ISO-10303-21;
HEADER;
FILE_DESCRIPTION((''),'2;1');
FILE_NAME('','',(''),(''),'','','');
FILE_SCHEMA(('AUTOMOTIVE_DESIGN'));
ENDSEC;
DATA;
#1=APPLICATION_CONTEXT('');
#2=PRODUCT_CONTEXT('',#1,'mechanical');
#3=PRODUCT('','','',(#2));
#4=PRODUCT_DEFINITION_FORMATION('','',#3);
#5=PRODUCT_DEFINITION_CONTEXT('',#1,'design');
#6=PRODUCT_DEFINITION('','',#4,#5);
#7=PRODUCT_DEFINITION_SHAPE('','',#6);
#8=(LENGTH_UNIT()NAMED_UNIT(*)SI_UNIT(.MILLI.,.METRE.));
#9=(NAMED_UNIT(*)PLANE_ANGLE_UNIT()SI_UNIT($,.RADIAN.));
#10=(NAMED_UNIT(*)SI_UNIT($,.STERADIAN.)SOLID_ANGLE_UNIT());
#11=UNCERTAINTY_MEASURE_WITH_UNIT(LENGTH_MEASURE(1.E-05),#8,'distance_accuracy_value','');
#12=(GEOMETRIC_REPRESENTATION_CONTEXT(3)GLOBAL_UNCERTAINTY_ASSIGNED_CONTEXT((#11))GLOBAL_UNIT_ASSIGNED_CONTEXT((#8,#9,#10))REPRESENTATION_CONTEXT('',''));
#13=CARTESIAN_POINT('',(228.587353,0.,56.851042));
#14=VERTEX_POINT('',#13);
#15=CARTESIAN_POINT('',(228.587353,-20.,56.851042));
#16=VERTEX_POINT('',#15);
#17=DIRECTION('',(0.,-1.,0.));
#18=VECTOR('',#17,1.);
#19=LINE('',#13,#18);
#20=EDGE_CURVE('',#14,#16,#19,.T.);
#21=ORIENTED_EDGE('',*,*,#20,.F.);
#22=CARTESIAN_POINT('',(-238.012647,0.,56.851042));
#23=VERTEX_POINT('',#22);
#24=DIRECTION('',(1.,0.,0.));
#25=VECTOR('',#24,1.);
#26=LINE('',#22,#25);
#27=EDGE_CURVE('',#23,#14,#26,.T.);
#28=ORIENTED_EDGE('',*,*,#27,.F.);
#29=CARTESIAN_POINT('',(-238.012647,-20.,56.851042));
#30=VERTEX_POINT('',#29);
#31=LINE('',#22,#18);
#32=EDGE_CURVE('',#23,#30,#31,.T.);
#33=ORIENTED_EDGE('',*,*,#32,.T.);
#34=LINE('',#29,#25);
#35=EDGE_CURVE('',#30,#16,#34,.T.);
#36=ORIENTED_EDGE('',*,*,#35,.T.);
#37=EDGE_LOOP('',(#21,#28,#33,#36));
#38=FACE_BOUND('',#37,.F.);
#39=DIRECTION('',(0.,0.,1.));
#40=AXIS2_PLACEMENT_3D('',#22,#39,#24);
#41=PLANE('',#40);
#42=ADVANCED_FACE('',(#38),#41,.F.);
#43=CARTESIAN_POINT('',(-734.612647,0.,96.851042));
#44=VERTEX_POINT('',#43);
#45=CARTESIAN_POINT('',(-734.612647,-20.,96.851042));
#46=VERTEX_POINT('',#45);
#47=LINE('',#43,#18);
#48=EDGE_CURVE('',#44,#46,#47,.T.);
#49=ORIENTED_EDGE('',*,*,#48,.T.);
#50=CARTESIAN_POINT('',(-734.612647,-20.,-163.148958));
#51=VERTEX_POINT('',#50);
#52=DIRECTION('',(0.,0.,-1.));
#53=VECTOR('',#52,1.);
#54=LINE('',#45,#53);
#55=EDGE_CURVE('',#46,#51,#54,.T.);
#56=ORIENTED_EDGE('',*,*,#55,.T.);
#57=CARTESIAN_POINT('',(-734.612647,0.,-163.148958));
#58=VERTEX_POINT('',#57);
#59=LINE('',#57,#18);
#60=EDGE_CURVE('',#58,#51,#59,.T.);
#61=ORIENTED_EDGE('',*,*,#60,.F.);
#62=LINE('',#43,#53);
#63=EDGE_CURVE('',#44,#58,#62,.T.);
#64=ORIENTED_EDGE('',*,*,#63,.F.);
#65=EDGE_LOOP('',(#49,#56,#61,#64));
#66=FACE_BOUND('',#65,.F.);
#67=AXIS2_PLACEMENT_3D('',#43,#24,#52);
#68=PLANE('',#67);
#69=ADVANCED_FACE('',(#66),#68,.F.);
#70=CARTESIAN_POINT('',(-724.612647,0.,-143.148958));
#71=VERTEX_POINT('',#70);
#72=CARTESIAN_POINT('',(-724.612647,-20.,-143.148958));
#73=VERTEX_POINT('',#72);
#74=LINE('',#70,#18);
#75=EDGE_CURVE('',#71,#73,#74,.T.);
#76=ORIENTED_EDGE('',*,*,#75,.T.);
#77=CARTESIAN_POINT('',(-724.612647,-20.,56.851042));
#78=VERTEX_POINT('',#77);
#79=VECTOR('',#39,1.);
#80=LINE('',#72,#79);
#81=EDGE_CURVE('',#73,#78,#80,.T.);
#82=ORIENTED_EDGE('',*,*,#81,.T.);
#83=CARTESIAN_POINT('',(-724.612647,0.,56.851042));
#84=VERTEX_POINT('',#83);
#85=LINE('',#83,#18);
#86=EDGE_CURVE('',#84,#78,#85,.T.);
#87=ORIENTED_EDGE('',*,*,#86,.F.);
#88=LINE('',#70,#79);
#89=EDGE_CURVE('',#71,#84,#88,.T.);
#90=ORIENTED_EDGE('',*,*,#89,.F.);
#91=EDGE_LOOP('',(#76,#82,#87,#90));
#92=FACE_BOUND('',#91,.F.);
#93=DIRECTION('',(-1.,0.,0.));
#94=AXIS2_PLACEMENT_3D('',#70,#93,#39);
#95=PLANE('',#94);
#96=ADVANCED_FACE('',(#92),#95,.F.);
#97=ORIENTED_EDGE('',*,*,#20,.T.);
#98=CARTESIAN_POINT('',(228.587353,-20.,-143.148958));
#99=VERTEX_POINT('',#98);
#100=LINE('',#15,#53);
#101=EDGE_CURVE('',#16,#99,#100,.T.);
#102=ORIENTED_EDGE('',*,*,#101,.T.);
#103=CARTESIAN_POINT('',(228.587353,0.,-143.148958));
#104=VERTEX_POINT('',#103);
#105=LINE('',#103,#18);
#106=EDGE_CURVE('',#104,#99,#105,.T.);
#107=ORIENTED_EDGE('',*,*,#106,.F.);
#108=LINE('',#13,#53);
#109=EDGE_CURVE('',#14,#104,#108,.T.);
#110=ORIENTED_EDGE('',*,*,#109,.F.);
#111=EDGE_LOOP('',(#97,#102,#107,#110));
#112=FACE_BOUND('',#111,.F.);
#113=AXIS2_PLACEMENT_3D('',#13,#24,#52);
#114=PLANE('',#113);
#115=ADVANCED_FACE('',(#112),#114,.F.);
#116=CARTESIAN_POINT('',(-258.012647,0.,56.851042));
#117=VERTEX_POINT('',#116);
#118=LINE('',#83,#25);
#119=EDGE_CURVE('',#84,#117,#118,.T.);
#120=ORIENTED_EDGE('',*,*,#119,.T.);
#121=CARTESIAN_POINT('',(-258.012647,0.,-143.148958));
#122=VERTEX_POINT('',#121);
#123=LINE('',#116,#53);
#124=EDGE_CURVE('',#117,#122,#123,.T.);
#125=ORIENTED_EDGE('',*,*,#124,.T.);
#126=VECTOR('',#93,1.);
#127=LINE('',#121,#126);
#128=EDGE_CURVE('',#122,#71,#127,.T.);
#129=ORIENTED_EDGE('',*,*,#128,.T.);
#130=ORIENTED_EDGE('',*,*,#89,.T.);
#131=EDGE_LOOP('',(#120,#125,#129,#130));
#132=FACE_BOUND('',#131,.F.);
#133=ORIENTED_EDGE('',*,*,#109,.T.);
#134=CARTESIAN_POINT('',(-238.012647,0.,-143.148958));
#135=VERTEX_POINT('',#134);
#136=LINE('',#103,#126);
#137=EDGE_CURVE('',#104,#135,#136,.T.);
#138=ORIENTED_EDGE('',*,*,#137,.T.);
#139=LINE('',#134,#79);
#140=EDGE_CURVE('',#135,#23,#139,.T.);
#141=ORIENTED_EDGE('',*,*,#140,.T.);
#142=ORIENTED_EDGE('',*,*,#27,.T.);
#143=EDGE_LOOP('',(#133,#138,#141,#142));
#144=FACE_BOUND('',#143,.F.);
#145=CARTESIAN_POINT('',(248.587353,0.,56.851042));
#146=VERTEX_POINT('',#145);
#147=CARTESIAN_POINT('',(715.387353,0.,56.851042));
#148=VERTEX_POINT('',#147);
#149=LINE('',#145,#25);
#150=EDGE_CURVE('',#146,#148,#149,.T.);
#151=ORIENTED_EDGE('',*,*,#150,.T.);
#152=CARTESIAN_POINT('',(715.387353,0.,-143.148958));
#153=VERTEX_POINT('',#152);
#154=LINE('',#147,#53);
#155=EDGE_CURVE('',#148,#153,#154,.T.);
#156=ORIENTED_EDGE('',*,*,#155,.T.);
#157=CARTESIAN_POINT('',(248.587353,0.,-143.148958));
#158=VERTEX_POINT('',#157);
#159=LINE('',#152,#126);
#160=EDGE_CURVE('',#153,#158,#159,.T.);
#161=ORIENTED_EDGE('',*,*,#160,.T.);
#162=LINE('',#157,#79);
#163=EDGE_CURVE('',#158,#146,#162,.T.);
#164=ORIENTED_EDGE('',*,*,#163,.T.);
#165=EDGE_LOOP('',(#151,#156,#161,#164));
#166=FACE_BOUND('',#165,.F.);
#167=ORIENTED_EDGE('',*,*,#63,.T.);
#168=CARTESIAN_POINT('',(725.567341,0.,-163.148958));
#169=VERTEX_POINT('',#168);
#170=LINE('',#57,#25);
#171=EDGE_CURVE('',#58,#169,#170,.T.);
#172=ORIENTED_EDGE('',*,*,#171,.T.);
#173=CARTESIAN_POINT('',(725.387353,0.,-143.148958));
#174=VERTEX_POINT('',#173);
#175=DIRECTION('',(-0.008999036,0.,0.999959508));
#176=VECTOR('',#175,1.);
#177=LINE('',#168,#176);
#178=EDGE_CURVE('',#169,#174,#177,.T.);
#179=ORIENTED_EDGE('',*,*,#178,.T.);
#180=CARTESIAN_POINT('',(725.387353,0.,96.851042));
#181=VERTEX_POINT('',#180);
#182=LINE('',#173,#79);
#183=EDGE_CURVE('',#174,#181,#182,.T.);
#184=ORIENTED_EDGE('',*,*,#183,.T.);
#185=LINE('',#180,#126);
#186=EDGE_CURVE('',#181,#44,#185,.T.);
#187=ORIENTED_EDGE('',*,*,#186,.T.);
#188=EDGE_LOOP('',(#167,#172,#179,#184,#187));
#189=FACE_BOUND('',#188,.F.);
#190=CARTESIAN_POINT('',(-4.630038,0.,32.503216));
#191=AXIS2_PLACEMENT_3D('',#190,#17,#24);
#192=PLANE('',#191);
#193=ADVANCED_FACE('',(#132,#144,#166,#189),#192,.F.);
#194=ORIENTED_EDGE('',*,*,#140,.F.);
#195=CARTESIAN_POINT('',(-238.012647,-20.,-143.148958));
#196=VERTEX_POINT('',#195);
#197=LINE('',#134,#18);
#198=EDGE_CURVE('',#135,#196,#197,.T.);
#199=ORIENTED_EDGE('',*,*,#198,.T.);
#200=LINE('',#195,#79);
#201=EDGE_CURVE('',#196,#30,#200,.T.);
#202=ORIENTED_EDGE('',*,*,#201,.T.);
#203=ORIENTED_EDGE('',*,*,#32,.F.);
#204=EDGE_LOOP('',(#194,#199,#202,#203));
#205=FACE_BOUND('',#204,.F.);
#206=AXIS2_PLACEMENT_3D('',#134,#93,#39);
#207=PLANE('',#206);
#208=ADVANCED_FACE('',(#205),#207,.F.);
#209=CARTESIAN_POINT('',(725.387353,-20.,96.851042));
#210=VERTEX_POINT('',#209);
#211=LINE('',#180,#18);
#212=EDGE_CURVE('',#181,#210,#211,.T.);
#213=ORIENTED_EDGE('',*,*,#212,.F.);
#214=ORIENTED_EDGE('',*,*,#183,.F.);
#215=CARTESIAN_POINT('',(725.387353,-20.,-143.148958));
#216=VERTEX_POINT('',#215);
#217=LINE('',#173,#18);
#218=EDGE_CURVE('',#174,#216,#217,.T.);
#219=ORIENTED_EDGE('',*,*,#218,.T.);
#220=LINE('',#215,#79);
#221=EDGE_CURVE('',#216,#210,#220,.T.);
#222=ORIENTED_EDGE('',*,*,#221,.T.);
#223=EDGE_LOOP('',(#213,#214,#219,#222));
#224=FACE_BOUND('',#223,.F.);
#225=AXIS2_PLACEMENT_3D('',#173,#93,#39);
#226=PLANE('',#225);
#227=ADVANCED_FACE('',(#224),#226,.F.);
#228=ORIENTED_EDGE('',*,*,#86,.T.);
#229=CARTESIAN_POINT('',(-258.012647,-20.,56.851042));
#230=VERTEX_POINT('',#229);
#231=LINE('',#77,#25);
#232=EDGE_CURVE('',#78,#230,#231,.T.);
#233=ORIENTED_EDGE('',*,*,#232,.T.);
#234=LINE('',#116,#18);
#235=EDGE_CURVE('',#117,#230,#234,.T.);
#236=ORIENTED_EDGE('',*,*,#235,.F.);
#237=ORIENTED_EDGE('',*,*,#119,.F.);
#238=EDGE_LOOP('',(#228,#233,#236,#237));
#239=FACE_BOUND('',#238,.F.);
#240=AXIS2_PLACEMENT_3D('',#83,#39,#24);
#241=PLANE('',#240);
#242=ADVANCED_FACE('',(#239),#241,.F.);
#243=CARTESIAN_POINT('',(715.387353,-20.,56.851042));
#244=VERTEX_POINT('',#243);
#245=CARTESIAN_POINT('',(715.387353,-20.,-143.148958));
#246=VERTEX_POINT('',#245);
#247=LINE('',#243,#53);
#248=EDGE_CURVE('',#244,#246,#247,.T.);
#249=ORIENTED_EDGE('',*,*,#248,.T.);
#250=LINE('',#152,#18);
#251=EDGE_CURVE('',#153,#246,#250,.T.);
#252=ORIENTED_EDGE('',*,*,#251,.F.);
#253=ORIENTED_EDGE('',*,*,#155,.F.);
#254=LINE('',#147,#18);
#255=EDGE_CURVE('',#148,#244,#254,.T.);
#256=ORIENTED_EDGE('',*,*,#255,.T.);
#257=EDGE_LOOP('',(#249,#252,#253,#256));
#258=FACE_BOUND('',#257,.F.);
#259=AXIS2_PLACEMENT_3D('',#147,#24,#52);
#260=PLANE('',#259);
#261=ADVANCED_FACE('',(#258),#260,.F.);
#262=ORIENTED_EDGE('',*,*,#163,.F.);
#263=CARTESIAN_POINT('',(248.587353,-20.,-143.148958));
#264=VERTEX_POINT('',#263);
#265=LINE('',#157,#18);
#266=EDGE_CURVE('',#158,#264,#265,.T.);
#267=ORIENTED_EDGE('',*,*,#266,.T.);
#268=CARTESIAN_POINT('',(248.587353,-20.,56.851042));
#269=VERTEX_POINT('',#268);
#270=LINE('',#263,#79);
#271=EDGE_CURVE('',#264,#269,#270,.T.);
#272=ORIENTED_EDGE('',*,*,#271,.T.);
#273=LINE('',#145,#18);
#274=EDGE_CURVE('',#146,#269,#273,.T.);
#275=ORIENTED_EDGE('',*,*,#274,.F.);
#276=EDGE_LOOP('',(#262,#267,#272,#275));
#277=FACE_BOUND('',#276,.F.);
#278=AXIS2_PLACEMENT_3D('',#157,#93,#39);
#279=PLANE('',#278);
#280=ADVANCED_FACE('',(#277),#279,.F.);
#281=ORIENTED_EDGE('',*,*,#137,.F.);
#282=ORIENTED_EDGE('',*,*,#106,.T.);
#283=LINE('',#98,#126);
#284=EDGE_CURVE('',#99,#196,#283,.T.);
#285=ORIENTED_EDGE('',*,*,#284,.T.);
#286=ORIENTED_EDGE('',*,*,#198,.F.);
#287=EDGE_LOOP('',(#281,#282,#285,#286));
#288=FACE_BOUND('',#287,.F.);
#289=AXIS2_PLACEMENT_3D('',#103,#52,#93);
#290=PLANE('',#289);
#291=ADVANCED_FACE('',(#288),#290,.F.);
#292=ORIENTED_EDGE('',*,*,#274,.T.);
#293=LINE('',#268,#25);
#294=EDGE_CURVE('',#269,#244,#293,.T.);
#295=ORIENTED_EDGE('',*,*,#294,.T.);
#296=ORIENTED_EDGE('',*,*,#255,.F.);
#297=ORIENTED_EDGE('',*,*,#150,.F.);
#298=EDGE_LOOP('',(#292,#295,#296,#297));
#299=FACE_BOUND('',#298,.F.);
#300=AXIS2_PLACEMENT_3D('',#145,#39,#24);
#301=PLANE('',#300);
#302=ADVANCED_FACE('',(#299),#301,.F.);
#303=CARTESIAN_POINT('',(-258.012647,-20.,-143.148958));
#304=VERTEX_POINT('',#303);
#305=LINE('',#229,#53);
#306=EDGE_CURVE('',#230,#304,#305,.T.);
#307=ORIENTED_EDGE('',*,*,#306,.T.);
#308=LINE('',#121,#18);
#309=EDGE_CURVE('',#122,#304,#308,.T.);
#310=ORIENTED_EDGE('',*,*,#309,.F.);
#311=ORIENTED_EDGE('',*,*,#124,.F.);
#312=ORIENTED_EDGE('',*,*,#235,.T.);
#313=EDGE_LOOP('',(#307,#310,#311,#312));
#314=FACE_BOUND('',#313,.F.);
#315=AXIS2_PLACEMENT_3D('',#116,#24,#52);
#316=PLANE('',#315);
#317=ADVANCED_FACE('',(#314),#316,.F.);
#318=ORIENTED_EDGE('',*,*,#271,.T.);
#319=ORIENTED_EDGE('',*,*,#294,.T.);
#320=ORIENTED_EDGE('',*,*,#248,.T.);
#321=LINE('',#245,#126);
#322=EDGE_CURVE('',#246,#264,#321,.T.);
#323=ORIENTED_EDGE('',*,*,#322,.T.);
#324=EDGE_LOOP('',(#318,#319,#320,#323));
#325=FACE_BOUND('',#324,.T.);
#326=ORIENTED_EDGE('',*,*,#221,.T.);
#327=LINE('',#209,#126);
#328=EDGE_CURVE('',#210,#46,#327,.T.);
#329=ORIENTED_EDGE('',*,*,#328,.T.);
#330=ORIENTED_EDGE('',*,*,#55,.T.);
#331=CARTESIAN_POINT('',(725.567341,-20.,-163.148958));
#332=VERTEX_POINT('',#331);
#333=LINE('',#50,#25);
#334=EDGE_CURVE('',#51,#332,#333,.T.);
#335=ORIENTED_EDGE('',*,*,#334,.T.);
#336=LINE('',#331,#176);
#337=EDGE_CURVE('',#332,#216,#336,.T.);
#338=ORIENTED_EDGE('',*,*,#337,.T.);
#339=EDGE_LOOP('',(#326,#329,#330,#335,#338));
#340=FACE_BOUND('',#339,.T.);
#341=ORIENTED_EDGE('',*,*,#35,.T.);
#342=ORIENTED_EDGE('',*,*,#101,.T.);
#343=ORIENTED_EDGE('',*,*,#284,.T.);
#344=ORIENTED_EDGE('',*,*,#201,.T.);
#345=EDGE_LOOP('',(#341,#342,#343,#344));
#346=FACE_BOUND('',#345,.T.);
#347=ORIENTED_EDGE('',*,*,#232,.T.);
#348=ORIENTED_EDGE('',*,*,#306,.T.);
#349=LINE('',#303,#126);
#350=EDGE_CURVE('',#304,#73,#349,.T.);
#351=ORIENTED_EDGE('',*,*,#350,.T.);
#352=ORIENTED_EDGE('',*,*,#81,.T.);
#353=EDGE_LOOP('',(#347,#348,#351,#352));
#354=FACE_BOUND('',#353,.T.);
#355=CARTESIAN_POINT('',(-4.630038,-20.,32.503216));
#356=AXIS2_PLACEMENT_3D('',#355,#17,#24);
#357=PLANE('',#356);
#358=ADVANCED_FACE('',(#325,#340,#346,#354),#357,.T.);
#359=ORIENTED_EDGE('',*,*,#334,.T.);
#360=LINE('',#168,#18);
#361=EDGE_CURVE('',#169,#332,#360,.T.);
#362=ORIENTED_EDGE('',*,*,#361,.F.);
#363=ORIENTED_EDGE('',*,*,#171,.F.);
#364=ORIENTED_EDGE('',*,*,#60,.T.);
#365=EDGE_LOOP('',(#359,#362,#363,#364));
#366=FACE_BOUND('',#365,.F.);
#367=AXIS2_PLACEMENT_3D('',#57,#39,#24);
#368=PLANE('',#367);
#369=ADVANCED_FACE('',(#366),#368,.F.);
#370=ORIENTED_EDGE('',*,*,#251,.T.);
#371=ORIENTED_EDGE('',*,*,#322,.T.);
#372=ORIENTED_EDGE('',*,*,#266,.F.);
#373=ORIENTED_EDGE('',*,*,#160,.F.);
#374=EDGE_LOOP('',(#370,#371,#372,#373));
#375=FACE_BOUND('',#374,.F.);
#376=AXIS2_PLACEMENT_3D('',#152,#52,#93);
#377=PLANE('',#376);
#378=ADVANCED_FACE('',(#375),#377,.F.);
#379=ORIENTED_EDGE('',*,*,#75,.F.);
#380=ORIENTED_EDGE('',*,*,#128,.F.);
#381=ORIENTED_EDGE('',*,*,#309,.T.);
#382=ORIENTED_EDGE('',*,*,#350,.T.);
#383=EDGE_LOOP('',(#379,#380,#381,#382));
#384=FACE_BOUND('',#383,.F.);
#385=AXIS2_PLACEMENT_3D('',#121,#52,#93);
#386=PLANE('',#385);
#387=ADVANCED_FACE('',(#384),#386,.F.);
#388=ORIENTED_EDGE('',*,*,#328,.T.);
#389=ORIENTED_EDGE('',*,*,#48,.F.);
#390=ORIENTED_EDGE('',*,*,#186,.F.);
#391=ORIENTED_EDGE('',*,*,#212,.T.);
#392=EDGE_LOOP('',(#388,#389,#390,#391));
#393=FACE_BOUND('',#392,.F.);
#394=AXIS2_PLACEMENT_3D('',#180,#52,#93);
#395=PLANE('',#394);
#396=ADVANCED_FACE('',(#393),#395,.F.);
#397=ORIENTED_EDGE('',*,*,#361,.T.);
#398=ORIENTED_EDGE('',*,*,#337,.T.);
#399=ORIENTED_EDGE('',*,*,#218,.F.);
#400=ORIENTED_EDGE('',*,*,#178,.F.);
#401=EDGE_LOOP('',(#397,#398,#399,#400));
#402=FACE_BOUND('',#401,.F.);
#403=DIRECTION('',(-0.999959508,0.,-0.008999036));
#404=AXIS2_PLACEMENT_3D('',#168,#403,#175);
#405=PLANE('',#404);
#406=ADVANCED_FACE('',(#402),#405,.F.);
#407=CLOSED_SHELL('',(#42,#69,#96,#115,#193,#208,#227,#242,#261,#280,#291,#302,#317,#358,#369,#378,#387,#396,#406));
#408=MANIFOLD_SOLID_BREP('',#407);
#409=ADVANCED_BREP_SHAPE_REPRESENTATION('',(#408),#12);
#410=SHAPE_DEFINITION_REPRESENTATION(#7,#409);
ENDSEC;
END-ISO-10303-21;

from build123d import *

# Parameters (mm, degrees)
F1_DEPTH = 20


with BuildPart() as f1:
    # F0 (on Front) → F1 (new body)
    with BuildSketch(Plane.XZ):
        Polygon((725.387353, 96.851042), (-734.612647, 96.851042), (-734.612647, 56.851042), (-734.612647, -143.148958), (-724.612647, -143.148958), (-724.612647, 56.851042), (-258.012647, 56.851042), (-258.012647, -143.148958), (-238.012647, -143.148958), (-238.012647, 56.851042), (228.587353, 56.851042), (228.587353, -143.148958), (248.587353, -143.148958), (248.587353, 56.851042), (715.387353, 56.851042), (715.387353, -143.148958), (725.387353, -143.148958), (725.387353, 56.851042), align=None)
        Polygon((-724.612647, -143.148958), (-734.612647, -143.148958), (-734.612647, -163.148958), (725.567341, -163.148958), (725.387353, -143.148958), (715.387353, -143.148958), (248.587353, -143.148958), (228.587353, -143.148958), (-238.012647, -143.148958), (-258.012647, -143.148958), align=None)
    extrude(amount=F1_DEPTH)


solid = f1.part
